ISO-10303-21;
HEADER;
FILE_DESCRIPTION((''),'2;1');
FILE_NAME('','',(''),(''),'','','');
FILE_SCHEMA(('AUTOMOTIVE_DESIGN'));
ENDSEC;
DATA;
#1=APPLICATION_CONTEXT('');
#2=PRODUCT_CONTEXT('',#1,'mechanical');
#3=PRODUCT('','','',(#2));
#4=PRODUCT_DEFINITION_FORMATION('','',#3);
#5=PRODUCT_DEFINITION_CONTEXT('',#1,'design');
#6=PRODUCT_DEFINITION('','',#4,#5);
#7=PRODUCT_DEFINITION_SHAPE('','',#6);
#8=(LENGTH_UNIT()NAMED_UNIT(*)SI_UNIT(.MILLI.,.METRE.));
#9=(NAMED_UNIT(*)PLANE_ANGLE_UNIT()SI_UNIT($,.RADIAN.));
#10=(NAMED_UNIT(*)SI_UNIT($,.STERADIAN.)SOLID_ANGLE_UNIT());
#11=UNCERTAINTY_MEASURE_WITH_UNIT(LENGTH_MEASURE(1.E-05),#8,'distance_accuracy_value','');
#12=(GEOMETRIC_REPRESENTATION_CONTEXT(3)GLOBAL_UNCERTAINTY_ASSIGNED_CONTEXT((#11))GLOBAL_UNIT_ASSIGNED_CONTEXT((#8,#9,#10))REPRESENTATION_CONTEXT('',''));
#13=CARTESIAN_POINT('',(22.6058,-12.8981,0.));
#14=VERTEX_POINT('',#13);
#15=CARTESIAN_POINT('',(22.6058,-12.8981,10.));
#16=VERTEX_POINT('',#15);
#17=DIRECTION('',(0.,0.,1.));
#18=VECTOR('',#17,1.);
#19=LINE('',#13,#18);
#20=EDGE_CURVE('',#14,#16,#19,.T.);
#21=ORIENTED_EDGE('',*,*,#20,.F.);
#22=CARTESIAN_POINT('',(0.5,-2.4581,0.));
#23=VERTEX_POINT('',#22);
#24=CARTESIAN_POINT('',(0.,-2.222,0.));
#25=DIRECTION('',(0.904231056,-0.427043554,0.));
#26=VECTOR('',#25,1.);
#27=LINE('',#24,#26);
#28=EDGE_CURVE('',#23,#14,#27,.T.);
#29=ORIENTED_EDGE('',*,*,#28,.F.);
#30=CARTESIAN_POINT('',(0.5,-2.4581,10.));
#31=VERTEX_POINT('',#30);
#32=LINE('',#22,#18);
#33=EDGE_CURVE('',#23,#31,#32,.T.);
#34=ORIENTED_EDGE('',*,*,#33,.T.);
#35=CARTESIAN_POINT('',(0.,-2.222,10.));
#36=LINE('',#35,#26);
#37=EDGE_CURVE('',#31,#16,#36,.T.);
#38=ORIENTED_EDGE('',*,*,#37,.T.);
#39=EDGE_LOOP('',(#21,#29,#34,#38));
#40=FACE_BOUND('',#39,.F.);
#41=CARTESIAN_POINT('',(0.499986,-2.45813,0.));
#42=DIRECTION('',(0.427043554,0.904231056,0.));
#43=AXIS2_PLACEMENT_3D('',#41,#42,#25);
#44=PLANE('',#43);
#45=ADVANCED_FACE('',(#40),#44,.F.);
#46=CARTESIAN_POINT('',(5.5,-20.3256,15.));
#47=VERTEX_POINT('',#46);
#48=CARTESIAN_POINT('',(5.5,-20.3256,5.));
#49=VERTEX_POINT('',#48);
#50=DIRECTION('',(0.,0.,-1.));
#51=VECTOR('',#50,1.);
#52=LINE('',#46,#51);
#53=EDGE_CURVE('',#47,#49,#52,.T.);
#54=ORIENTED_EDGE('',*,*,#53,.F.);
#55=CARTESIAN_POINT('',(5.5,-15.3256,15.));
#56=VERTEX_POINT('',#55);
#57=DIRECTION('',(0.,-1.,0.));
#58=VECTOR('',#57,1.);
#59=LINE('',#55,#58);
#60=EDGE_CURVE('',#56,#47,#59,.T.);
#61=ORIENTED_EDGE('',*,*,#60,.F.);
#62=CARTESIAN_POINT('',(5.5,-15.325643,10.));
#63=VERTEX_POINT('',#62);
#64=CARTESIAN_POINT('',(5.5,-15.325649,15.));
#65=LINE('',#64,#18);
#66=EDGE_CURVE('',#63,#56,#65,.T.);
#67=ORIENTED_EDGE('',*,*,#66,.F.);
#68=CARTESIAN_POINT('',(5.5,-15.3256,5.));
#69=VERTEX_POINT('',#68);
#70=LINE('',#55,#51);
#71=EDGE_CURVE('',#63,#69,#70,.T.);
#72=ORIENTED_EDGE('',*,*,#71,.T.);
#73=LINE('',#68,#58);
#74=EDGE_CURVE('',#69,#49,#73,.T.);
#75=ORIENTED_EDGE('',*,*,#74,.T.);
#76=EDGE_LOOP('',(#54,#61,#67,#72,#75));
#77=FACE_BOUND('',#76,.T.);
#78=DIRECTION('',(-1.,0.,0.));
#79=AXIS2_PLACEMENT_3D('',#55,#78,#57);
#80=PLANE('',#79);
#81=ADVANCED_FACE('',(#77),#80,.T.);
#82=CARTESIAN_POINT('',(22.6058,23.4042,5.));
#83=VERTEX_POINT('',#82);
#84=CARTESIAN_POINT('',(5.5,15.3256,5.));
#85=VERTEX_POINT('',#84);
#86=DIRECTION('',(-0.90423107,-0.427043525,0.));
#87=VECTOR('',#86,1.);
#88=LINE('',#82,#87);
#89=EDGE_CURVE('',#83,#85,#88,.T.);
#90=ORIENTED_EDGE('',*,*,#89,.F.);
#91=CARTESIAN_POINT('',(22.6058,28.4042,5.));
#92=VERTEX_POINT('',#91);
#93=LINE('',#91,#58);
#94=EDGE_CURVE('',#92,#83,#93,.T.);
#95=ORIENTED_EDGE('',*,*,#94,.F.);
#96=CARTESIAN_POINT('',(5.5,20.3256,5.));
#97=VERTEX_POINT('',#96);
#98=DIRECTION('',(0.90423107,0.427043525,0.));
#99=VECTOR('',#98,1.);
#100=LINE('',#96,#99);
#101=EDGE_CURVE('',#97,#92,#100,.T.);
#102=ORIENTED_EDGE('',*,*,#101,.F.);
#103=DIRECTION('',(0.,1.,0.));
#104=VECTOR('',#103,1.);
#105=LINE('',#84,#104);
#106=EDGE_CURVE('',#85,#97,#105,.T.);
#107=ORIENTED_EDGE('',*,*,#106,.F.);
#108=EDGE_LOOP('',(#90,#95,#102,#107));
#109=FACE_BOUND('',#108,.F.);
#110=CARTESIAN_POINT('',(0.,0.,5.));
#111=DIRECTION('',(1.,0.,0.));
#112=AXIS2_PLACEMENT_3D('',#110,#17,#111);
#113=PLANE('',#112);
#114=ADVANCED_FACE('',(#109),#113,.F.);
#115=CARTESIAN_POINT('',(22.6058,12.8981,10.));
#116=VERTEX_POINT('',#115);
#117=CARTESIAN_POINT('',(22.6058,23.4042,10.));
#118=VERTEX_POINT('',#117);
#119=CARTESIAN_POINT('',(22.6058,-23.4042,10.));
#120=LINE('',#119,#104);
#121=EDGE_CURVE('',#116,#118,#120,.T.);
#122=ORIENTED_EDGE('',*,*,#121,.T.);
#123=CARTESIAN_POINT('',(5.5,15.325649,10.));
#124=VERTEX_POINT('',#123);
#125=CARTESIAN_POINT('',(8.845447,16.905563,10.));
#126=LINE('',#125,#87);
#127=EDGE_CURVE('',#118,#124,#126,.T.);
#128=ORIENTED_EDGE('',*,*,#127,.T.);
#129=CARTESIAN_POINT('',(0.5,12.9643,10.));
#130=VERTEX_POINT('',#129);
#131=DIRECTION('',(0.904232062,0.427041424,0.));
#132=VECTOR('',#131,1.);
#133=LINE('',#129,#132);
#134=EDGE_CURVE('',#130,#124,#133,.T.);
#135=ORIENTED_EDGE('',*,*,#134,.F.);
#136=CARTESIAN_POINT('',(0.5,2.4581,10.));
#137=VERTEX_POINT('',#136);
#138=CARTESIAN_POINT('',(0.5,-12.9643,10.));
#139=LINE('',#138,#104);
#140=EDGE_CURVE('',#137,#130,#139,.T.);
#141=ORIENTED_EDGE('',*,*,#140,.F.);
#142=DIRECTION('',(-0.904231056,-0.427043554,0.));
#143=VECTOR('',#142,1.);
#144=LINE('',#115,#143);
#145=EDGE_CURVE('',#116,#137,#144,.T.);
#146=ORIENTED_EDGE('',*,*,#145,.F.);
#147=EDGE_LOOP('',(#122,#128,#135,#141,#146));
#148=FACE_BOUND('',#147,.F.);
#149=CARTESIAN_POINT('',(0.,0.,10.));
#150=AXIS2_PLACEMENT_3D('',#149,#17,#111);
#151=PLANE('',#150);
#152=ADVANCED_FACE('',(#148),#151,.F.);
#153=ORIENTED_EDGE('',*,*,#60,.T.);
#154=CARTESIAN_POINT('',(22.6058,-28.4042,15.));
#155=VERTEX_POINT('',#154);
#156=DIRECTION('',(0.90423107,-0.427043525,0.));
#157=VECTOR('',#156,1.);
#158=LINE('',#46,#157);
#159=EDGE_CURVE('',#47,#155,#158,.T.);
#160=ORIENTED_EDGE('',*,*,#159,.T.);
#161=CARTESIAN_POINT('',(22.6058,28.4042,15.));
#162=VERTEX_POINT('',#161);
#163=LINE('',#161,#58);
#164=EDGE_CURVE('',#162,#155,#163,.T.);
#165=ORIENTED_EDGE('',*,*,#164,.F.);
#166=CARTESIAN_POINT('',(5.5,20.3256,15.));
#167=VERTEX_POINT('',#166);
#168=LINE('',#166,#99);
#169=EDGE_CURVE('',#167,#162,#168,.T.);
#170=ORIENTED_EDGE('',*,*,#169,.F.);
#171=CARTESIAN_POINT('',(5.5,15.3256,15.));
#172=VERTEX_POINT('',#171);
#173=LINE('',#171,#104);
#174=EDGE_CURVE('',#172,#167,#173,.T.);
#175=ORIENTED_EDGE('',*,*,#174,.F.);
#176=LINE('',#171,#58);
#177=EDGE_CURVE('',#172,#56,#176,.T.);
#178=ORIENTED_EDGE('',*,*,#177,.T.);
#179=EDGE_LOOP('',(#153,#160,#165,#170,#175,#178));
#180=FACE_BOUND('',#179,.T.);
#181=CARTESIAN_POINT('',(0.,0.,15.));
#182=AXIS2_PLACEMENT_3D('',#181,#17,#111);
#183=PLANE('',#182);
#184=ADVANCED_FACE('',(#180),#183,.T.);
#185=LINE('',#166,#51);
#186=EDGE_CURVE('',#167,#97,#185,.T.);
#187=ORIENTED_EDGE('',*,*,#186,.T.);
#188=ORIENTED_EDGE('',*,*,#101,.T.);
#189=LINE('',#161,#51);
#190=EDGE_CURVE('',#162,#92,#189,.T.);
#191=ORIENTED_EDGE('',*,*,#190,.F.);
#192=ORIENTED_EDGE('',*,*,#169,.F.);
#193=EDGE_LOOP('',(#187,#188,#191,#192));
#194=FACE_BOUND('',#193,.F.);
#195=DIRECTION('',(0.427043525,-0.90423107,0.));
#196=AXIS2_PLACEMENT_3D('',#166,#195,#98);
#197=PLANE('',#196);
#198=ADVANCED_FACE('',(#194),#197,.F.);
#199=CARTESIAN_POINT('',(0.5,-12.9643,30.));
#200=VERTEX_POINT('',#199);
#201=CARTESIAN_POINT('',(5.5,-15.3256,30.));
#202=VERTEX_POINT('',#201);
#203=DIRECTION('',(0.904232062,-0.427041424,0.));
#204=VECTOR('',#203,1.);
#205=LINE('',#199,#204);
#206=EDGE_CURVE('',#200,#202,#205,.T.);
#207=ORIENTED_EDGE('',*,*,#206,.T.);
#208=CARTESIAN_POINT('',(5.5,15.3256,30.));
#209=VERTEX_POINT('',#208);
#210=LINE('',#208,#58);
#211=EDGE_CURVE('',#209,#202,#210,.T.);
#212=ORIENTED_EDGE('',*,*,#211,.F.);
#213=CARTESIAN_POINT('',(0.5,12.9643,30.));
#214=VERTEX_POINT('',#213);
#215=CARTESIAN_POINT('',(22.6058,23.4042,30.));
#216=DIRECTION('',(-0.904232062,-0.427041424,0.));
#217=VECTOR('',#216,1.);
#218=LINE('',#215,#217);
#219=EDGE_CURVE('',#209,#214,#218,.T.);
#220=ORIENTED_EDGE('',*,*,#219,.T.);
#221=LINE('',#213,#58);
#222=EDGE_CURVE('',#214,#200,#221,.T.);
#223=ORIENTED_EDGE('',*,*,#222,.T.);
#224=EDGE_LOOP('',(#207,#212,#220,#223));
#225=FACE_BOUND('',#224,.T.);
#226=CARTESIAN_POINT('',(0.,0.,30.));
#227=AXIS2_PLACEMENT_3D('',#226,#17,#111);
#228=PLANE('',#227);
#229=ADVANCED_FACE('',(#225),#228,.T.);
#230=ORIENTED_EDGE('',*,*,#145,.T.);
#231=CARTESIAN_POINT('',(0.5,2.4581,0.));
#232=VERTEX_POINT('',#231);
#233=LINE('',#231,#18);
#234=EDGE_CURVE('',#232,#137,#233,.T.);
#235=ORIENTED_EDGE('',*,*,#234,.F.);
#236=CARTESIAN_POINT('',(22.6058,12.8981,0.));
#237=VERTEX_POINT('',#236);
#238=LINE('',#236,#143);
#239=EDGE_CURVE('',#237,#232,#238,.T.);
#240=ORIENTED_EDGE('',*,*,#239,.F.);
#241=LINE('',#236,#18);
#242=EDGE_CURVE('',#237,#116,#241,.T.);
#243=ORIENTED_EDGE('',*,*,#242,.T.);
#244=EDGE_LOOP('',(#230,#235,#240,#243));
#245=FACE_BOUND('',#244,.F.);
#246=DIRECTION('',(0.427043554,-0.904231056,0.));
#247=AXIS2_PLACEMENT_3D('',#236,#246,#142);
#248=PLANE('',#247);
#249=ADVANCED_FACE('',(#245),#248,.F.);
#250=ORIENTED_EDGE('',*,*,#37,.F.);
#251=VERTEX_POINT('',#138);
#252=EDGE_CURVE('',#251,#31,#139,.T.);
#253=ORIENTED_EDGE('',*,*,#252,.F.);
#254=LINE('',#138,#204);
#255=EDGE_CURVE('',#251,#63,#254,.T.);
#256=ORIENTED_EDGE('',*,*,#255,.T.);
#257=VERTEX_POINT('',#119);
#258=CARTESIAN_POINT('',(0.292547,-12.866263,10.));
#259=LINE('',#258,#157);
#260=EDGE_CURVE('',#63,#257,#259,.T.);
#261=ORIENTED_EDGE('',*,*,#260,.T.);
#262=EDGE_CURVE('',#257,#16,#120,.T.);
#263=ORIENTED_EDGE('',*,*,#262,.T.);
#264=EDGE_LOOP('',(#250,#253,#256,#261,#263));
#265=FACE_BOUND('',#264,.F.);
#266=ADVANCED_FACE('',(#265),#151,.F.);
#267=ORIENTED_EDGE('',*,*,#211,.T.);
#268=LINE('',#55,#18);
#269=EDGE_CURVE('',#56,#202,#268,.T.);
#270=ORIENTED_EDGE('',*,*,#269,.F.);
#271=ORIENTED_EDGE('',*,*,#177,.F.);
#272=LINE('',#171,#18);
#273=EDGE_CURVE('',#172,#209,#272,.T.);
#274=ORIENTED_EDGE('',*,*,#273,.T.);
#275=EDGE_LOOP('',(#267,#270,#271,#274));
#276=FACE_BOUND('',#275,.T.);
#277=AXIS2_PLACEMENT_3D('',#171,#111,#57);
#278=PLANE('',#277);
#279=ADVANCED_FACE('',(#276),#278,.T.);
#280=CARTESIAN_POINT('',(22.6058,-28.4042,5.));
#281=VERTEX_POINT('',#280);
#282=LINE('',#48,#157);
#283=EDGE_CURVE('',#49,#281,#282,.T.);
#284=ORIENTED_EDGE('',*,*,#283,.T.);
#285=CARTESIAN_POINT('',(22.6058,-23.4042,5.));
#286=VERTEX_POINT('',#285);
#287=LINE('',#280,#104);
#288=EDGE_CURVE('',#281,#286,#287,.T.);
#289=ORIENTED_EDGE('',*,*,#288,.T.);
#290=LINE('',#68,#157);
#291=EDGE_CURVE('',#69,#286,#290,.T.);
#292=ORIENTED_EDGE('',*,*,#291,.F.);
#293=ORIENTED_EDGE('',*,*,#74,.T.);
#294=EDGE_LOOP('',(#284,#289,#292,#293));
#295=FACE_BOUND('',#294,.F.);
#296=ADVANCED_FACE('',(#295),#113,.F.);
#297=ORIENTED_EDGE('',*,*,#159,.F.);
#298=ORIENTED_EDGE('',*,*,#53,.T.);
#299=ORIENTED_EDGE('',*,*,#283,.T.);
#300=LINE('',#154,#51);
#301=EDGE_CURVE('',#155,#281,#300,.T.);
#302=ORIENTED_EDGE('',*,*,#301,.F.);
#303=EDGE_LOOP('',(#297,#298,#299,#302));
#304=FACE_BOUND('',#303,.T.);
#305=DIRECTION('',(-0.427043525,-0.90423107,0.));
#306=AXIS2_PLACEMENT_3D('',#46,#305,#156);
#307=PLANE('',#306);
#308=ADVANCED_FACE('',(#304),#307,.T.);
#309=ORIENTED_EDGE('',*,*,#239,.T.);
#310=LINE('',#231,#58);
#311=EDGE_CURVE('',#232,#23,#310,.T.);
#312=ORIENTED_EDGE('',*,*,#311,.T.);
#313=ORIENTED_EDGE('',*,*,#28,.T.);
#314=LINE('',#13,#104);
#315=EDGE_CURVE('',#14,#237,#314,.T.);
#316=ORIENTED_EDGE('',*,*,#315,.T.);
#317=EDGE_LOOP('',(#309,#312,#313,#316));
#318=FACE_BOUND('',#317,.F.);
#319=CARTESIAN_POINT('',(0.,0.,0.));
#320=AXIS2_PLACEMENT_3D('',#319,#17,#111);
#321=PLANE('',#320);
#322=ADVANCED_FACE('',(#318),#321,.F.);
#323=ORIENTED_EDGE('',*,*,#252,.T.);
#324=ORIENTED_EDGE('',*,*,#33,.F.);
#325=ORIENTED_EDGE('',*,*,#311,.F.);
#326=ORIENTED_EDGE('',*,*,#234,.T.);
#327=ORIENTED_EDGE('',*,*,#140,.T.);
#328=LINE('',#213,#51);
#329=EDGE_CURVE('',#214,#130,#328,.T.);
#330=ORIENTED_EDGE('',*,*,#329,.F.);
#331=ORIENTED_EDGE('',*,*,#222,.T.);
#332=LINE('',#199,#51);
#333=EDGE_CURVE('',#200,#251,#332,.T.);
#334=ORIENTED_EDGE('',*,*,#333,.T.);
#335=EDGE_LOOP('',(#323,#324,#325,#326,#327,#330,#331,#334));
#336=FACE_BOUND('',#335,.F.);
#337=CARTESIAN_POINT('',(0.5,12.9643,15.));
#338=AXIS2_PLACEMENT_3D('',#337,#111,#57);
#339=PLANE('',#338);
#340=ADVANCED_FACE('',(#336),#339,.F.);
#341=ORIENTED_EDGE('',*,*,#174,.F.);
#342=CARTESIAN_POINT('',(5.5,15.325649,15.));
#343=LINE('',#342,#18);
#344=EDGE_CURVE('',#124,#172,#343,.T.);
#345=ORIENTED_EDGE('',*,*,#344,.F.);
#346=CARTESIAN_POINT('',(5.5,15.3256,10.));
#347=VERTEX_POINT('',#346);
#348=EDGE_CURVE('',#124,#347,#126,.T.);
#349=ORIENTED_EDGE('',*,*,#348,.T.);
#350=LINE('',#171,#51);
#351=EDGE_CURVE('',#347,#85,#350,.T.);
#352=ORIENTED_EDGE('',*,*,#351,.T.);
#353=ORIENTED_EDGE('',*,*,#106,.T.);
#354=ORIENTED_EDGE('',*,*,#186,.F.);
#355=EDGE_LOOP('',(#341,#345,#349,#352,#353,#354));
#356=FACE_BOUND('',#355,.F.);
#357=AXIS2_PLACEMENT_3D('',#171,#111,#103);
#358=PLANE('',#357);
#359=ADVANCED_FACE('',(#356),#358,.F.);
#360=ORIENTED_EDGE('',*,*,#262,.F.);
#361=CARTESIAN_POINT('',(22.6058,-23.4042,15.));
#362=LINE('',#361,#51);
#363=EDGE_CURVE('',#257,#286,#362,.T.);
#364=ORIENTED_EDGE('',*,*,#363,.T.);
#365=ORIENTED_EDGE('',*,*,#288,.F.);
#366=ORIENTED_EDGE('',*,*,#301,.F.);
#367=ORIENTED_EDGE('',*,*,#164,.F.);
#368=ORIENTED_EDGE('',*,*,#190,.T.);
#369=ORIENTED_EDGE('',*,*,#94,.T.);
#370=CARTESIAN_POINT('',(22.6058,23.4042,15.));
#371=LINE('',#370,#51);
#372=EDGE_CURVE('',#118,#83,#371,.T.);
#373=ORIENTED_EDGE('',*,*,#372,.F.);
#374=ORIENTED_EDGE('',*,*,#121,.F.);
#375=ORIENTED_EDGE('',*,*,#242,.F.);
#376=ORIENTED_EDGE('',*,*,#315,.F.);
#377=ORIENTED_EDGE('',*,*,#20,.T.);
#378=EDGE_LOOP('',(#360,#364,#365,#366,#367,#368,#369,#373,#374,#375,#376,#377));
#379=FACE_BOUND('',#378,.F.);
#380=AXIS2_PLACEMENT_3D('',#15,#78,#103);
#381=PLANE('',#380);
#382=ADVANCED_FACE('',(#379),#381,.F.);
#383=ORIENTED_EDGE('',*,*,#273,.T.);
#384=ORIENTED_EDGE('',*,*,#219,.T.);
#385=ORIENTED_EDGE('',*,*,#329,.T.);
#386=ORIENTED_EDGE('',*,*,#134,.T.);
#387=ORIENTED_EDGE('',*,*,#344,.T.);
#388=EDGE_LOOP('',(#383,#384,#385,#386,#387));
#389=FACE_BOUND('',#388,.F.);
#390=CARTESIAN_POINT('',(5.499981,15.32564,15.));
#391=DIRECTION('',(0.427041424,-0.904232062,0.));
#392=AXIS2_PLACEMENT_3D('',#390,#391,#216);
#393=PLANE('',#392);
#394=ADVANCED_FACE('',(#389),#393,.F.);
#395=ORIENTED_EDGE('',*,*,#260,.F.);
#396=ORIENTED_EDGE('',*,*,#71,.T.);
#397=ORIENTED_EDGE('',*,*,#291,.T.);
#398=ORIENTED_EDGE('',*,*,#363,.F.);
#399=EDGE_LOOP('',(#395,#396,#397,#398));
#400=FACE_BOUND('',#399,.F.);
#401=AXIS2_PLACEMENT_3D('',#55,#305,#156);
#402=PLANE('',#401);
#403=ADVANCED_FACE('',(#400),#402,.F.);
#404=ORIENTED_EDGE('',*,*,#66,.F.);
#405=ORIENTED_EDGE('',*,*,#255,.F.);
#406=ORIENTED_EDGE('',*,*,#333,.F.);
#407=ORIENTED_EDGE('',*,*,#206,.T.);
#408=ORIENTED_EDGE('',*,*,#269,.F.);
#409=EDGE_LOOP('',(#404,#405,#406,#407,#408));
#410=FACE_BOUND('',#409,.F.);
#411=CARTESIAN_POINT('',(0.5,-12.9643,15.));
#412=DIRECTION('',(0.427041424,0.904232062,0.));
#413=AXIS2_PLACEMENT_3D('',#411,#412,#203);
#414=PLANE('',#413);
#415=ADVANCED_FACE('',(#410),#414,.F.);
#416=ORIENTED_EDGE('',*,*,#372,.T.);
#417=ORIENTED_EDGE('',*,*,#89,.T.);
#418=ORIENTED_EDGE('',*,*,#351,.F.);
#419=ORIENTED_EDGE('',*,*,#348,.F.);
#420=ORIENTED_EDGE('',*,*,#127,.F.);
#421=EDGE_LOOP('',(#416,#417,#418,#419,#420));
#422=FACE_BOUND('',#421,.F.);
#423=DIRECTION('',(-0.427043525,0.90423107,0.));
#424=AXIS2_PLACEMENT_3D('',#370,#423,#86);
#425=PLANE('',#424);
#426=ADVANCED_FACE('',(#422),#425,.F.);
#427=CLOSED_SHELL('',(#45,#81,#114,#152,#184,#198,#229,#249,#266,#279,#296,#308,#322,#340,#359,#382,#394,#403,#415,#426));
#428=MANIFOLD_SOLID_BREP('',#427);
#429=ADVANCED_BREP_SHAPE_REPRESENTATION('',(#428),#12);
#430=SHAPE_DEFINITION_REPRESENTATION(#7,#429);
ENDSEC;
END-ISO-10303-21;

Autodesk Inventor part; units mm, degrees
ref_plane "YZ Plane" through (0, 0, 0) normal (1, 0, 0) x (0, 1, 0)
ref_plane "XZ Plane" through (0, 0, 0) normal (0, 1, 0) x (-1, 0, 0)
ref_plane "XY Plane" through (0, 0, 0) normal (0, 0, 1) x (1, 0, 0)
sketch "스케치1" plane through (0, 0, 0) normal (0, 0, 1) x (1, 0, 0)
  line L0 (0, 2.222) -> (0, -2.222)
  line L1 (0, -2.222) -> (22.6058, -12.8981)
  line L2 (22.6058, -12.8981) -> (22.6058, 12.8981)
  line L3 (22.6058, 12.8981) -> (0, 2.222)
  line L4 (0.5, 2.4581) -> (0.5, -2.4581)
  point P0 (0, 0)
  point P1 (0, 0)
  dimension "d0" = 25
  dimension "d1" = 115.28
  dimension "d2" = 115.28
  dimension "d3" = 4.444
  dimension "d4" = 0.5
extrude "돌출1" add sketch "스케치1" along normal blind 10 contours L3 L2 L1 L4
sketch "스케치2" plane through (0, 0, 10) normal (0, 0, 1) x (1, 0, 0)
  line L0 (0.5, 2.4581) -> (0.5, -2.4581) projected
  line L1 (0.5, -2.4581) -> (22.6058, -12.8981) projected
  line L2 (22.6058, -12.8981) -> (22.6058, 12.8981) projected
  line L3 (22.6058, 12.8981) -> (0.5, 2.4581) projected
  line L4 (0.5, 12.9643) -> (22.6058, 23.4042)
  line L5 (0.5, -12.9643) -> (22.6058, -23.4042)
  line L6 (22.6058, -23.4042) -> (22.6058, -12.8981)
  line L7 (22.6058, -12.8981) -> (22.6058, 12.8981) projected
  line L8 (22.6058, 23.4042) -> (22.6058, 12.8981)
  line L9 (0.5, 12.9643) -> (0.5, 2.4581)
  line L10 (0.5, 2.4581) -> (0.5, -2.4581) projected
  line L11 (0.5, -12.9643) -> (0.5, -2.4581)
  line L12 (22.6058, 12.8981) -> (0.5, 2.4581) projected
  line L13 (0.5, -2.4581) -> (22.6058, -12.8981) projected
  point P0 (0, 0)
  dimension "d23" = 9.5
  dimension "d24" = 9.5
extrude "돌출2" add sketch "스케치2" along normal blind 5
sketch "스케치3" plane through (0, 0, 15) normal (0, 0, 1) x (1, 0, 0)
  line L0 (22.6058, -23.4042) -> (22.6058, 23.4042) projected
  line L1 (22.6058, 23.4042) -> (0.5, 12.9643) projected
  line L2 (0.5, 12.9643) -> (0.5, -12.9643) projected
  line L3 (0.5, -12.9643) -> (22.6058, -23.4042) projected
  line L4 (22.6058, 23.4042) -> (0.5, 12.9643) projected
  line L5 (0.5, -12.9643) -> (22.6058, -23.4042) projected
  line L6 (5.5, 15.3256) -> (5.5, -15.3256)
  line L7 (0.5, 12.9643) -> (0.5, -12.9643) projected
  point P0 (0, 0)
  point P1 (5.5, -15.3256)
  dimension "d18" = 5
extrude "돌출3" add sketch "스케치3" along normal blind 15 contours L3 L2 L1 L6
sketch "스케치4" plane through (0, 0, 15) normal (0, 0, 1) x (1, 0, 0)
  line L0 (5.5, 15.3256) -> (5.5, -15.3256) projected
  line L1 (5.5, -15.3256) -> (22.6058, -23.4042) projected
  line L2 (22.6058, -23.4042) -> (22.6058, 23.4042) projected
  line L3 (22.6058, 23.4042) -> (5.5, 15.3256) projected
  line L4 (5.5, 15.3256) -> (5.5, -15.3256) projected
  line L5 (5.5, 15.3256) -> (5.5, 20.3256)
  line L6 (5.5, 20.3256) -> (22.6058, 28.4042)
  line L7 (22.6058, 12.8981) -> (22.6058, 23.4042) projected
  line L8 (22.6058, 28.4042) -> (22.6058, 23.4042)
  line L9 (5.5, -15.3256) -> (5.5, -20.3256)
  line L10 (5.5, -20.3256) -> (22.6058, -28.4042)
  line L11 (22.6058, -28.4042) -> (22.6058, -23.4042)
  line L12 (5.5, -15.3256) -> (22.6058, -23.4042) projected
  point P0 (0, 0)
  dimension "d19" = 5
  dimension "d20" = 5
extrude "돌출4" add sketch "스케치4" against normal blind 10 contours L5 L6 L8 L3 | L1 L11 L10 L9
properties part number "_3D 인쇄"
